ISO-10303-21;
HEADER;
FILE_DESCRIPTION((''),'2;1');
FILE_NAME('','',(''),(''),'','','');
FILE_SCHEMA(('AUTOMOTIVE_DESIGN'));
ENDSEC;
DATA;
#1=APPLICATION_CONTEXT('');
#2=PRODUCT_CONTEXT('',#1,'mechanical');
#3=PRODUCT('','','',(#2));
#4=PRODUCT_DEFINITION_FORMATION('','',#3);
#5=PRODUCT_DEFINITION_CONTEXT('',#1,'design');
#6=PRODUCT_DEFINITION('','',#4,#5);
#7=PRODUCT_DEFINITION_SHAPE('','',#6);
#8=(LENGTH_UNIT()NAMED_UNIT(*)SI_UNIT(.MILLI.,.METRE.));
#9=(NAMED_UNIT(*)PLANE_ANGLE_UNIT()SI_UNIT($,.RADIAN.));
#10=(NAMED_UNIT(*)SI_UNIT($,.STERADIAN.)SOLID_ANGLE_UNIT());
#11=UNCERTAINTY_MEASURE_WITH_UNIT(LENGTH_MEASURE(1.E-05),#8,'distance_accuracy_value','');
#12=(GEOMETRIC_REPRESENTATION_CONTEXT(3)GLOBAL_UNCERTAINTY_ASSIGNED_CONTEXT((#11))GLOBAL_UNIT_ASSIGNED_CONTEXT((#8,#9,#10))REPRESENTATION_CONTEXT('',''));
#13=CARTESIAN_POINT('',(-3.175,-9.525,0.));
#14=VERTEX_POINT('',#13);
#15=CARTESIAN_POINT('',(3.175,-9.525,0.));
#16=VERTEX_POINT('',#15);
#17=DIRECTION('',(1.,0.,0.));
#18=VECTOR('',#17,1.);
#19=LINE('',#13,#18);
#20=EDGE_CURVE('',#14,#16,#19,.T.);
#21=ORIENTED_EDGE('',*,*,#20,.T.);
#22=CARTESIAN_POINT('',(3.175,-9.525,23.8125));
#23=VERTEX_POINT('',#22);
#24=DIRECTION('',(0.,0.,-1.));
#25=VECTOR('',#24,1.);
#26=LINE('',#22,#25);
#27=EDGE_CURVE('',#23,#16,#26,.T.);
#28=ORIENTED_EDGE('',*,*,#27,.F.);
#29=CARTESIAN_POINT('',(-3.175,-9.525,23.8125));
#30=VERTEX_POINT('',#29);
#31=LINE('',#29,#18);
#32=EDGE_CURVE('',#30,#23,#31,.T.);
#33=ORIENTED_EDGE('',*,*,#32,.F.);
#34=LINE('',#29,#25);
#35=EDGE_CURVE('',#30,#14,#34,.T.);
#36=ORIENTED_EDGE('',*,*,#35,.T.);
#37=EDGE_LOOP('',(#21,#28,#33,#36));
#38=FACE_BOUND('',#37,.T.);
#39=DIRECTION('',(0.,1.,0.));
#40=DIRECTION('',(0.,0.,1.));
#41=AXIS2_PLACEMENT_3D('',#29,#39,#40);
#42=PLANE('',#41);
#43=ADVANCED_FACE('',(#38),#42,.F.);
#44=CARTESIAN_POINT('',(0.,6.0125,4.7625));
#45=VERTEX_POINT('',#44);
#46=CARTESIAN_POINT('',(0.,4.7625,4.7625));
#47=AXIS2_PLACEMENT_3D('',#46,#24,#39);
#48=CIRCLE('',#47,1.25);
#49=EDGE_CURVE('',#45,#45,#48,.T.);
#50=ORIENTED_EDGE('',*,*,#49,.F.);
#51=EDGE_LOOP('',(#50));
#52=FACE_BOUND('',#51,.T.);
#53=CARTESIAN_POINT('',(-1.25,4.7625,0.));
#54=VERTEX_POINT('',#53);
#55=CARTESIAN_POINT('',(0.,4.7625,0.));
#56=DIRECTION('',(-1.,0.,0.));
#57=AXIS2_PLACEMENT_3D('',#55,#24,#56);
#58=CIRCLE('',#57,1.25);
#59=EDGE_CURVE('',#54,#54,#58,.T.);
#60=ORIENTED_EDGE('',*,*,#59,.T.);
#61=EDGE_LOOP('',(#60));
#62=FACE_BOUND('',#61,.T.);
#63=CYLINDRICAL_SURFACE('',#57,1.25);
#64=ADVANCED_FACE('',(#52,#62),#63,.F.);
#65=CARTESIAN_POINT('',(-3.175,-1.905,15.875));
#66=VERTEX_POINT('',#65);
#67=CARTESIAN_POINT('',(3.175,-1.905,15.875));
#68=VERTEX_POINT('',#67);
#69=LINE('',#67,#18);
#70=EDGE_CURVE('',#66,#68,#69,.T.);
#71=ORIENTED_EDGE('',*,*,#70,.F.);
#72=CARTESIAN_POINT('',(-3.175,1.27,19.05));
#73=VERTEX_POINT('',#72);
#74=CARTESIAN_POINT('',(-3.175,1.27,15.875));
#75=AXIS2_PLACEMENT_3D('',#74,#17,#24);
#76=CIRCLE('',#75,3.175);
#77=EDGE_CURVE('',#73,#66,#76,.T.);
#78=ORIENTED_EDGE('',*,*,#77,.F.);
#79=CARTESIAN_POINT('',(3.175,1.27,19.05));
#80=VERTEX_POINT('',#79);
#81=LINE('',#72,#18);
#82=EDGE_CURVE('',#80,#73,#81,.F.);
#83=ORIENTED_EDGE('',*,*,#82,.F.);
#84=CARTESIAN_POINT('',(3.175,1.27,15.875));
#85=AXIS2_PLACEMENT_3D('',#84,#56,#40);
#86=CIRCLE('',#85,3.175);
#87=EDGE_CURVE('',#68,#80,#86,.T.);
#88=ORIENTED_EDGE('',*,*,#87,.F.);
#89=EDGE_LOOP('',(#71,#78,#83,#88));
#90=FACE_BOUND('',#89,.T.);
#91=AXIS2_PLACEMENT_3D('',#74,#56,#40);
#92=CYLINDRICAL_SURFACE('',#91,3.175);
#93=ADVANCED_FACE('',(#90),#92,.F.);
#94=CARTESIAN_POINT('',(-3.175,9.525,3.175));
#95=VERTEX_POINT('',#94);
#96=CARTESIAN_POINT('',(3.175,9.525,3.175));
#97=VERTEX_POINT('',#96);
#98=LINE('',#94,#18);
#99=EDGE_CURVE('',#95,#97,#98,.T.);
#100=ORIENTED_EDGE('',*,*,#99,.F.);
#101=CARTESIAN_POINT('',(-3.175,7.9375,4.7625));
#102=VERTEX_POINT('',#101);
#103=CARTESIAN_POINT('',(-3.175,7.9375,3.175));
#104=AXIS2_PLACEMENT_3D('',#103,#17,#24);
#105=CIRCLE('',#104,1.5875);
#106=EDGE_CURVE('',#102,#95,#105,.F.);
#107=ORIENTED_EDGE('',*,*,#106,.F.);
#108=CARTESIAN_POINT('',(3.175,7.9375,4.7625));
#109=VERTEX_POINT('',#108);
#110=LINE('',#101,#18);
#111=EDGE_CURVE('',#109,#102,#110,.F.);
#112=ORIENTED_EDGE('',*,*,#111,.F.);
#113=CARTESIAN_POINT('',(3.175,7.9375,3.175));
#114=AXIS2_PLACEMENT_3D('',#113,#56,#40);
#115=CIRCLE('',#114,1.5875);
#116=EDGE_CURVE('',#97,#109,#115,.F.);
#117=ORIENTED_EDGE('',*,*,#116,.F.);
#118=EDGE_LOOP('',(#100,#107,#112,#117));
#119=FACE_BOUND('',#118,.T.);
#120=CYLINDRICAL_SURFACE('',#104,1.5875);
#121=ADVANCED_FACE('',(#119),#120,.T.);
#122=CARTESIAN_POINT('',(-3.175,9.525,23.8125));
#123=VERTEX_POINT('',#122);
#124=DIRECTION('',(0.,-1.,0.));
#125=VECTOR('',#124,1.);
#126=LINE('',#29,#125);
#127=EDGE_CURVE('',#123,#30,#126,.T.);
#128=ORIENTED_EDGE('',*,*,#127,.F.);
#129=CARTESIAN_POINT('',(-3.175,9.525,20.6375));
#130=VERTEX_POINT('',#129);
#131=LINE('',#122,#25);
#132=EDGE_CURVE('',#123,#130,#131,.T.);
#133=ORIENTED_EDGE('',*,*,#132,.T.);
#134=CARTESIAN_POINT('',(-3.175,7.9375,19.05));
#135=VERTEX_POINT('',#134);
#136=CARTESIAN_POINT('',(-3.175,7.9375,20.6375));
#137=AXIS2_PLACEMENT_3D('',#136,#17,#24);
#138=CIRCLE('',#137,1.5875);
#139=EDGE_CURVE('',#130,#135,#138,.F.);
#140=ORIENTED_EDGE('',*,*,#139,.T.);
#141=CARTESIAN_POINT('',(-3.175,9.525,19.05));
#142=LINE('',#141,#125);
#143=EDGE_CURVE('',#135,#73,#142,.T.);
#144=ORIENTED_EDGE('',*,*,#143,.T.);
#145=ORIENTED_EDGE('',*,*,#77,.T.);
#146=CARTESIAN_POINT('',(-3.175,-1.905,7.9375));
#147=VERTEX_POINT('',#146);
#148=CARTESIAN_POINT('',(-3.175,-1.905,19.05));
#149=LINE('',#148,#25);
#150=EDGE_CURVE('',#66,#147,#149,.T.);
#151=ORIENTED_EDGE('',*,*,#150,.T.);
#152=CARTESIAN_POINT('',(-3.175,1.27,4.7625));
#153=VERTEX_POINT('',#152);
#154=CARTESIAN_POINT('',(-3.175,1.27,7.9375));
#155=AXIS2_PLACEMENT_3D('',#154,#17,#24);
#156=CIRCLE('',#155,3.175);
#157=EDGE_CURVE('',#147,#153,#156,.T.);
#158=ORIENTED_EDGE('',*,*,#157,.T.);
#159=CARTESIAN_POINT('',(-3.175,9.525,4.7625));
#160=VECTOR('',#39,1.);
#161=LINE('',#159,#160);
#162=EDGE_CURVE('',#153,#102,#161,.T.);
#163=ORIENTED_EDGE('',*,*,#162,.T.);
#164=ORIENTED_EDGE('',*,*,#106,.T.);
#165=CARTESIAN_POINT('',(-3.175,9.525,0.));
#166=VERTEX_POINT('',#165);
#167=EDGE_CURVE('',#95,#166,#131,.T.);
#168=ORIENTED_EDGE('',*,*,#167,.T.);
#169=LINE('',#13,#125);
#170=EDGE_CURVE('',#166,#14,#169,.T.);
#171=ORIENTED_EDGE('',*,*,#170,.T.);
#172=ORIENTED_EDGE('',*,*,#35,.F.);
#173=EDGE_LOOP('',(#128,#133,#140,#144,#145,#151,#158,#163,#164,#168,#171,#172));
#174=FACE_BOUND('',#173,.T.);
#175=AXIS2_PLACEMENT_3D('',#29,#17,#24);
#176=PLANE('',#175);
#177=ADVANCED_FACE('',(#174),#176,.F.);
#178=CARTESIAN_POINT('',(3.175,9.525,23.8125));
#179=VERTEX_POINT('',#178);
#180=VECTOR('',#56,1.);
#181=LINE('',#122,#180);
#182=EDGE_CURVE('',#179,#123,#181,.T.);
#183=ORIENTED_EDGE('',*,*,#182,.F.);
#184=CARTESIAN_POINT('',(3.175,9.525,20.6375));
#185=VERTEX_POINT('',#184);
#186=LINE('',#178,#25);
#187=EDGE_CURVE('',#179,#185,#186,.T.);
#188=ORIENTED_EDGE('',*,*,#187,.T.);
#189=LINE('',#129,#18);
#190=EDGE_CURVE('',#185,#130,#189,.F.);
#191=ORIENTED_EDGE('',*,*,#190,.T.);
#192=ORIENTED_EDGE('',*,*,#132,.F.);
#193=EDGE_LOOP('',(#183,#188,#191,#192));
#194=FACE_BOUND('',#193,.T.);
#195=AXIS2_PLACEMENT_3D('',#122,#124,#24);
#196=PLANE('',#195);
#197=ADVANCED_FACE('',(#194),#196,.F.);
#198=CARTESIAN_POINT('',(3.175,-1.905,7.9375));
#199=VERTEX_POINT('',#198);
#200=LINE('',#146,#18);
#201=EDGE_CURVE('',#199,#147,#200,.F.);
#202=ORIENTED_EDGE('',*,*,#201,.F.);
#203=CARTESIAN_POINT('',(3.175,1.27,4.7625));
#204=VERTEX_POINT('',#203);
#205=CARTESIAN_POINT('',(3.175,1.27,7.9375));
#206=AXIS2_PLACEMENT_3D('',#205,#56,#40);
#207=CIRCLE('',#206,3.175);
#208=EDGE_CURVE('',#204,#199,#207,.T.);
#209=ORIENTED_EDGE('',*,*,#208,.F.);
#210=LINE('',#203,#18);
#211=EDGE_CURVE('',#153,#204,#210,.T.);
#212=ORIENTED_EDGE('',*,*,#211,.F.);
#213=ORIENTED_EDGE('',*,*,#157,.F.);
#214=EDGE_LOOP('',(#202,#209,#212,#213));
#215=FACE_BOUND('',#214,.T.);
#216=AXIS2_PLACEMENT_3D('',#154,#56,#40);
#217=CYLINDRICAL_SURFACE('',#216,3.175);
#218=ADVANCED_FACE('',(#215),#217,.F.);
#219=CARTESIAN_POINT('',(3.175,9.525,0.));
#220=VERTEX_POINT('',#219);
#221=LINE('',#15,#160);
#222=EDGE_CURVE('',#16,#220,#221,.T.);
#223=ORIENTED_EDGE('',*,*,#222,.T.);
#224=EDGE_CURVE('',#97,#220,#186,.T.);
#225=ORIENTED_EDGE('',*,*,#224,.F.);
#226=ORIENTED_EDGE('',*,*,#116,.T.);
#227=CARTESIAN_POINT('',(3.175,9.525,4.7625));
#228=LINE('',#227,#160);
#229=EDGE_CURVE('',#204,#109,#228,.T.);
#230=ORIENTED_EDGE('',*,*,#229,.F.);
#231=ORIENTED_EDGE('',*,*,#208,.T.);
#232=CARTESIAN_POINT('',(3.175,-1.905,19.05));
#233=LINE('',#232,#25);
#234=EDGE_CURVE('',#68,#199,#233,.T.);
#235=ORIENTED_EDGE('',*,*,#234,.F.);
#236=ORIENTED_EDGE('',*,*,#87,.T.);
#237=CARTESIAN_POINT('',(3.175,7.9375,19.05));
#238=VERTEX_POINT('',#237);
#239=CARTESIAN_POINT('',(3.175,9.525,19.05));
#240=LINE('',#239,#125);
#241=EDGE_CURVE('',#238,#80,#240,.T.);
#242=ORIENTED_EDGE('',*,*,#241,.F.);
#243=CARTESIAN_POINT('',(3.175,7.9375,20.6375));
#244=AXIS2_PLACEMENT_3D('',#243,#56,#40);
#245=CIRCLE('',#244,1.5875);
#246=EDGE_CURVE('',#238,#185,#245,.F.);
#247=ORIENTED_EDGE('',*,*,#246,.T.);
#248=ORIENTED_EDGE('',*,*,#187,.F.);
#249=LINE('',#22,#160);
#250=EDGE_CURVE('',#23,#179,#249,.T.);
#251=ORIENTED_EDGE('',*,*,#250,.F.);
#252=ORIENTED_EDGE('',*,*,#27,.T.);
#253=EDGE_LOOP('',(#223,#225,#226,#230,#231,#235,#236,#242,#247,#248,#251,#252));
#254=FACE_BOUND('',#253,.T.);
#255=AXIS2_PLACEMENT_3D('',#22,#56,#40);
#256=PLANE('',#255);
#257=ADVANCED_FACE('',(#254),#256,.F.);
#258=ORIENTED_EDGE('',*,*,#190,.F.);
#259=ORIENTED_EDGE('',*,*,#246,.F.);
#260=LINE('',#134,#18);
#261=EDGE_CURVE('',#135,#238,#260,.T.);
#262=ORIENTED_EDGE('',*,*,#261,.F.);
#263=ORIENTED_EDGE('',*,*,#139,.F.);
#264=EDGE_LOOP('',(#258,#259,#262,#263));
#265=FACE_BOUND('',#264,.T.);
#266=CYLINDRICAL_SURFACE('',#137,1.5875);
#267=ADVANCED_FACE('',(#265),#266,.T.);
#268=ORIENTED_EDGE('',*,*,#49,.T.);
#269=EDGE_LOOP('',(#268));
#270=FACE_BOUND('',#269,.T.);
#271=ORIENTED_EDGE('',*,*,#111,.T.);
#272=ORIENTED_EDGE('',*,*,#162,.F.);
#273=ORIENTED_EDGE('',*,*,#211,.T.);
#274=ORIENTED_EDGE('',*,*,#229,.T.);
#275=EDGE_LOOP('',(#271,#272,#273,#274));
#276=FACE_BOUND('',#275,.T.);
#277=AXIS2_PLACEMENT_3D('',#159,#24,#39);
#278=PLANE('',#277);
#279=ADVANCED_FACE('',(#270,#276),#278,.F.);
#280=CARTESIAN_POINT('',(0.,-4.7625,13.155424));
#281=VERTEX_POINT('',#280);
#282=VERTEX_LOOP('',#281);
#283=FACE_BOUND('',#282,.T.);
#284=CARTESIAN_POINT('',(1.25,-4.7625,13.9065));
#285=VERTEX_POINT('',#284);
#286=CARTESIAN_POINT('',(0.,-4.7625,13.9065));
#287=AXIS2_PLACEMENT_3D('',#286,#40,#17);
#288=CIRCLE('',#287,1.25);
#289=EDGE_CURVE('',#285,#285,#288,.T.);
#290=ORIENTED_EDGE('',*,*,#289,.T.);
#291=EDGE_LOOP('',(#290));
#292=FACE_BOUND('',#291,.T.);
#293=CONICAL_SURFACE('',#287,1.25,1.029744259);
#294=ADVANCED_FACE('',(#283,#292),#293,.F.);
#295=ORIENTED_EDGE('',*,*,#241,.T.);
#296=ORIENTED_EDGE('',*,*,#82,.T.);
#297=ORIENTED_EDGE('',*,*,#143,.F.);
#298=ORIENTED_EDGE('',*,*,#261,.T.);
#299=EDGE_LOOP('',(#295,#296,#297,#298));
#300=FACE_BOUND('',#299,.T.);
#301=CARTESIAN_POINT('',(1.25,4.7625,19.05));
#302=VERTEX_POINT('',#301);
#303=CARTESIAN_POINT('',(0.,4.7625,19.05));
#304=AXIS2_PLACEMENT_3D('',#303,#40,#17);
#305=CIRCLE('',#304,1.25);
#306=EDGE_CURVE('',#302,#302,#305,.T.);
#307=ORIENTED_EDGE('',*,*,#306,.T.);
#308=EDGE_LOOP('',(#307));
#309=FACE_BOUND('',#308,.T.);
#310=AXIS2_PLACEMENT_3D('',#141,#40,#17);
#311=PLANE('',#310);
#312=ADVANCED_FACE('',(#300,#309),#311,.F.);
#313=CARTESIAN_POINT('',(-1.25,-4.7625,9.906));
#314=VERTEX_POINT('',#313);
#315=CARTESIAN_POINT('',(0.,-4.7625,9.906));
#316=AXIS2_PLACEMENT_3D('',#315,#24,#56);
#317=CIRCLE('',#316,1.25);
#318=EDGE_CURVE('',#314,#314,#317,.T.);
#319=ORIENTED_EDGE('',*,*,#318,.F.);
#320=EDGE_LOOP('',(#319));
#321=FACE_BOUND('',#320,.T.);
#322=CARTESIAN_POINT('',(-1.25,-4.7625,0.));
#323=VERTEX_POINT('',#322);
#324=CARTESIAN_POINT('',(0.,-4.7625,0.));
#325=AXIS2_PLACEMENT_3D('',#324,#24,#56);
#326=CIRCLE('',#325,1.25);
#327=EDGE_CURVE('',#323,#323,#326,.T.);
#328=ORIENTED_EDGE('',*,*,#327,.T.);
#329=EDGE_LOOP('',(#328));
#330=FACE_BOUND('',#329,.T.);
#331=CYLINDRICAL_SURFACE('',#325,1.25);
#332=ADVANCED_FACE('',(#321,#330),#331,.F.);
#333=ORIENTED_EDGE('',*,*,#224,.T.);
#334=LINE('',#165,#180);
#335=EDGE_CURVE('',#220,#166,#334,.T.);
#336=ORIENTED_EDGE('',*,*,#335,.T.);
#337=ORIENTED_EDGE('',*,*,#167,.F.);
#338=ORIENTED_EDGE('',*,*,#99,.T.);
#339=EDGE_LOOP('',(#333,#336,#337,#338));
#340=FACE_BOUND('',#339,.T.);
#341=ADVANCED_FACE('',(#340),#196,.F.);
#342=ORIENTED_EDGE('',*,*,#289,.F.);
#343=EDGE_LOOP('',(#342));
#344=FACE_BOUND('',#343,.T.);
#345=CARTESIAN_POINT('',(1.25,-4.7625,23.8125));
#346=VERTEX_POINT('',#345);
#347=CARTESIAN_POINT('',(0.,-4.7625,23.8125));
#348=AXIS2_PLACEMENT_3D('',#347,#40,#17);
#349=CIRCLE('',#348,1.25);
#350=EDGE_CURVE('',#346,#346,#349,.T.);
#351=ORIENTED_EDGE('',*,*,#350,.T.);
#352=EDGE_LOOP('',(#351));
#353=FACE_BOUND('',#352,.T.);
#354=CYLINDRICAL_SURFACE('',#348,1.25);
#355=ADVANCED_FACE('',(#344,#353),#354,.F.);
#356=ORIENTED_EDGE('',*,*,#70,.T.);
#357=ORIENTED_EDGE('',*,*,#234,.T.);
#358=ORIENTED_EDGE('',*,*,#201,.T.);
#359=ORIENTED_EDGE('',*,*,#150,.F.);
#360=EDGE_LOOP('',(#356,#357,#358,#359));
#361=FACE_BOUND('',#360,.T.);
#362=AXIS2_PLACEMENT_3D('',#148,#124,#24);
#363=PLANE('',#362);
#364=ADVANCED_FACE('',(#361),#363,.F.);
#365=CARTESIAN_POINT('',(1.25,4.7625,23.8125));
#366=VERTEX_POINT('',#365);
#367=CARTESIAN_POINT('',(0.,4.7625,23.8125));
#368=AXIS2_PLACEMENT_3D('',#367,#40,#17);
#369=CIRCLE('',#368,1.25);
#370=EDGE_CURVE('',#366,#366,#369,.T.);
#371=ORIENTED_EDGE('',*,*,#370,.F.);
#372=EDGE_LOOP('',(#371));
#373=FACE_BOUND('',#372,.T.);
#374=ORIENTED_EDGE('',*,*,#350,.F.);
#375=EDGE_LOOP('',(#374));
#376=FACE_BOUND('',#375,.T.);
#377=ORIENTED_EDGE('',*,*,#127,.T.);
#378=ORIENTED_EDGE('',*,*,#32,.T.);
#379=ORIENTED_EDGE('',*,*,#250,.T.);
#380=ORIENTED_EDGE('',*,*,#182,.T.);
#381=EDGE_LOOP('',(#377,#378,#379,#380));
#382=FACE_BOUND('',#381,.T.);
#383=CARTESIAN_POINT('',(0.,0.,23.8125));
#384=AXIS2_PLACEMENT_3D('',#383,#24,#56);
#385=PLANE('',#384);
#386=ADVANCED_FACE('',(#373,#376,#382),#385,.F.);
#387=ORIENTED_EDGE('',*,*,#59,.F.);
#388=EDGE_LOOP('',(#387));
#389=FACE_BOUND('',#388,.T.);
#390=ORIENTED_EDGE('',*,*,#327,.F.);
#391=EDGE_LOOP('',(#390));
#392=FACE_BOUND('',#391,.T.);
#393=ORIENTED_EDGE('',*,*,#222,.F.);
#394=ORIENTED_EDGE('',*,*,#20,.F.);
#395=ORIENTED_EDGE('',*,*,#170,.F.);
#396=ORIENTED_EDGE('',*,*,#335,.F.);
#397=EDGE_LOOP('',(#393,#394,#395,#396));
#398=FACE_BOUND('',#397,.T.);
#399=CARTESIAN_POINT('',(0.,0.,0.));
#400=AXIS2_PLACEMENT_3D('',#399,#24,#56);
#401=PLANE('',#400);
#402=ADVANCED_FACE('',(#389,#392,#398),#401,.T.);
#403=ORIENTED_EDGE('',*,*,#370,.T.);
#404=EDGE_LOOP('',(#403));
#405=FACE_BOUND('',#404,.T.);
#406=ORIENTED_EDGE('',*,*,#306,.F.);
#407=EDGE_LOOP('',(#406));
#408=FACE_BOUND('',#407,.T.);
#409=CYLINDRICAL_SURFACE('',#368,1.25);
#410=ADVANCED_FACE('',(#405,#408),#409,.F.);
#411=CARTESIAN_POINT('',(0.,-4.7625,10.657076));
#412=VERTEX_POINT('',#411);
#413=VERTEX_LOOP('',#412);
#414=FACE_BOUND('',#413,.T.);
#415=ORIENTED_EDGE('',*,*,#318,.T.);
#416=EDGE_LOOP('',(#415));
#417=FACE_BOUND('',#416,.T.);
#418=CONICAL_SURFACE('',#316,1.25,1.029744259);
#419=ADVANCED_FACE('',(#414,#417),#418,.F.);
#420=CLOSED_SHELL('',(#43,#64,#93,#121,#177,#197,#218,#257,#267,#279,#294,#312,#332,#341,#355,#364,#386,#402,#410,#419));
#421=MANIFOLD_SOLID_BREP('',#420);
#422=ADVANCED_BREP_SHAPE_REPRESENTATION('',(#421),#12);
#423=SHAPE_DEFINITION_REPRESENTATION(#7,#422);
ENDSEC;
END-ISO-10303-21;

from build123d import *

# Parameters (mm, degrees)
SKETCH1_W                      = 6.35
SKETCH1_H                      = 19.05
BOSS_EXTRUDE2_DEPTH            = 23.8125
SKETCH2_W                      = 14.2875
SKETCH2_H                      = 11.43
WHEEL_SLOT_DEPTH               = 27.421265701
M3X0_5_TAPPED_HOLE1_AT_2_COUNT = 2
M3X0_5_TAPPED_HOLE1_AT_2_PITCH = 9.525
FILLET1_R                      = 3.175
FILLET2_R                      = 1.5875


with BuildPart() as part:
    # Sketch1 → Boss-Extrude2 (new body)
    with BuildSketch(Plane.XY):
        Rectangle(SKETCH1_W, SKETCH1_H)
    extrude(amount=BOSS_EXTRUDE2_DEPTH)

    # Sketch2 → WHEEL-SLOT (cut, through all)
    with BuildSketch(Plane(origin=(3.175, 0, 0), x_dir=(0, 0, -1), z_dir=(1, 0, 0))):
        with Locations((-11.90625, 3.81)):
            Rectangle(SKETCH2_W, SKETCH2_H)
    extrude(amount=-WHEEL_SLOT_DEPTH, mode=Mode.SUBTRACT)

    # Sketch4 → M3x0.5 Tapped Hole1 (revolve, cut)
    with BuildSketch(Plane(origin=(0, -4.7625, 23.8125), x_dir=(0, -1, 0), z_dir=(1, 0, 0))):
        Polygon((0, 0), (0, 10.657075774), (1.25, 9.906), (1.25, 0), align=None)
    m3x0_5_tapped_hole1 = revolve(axis=Axis((0, -4.7625, 30.1625), (0, 0, -1)), mode=Mode.SUBTRACT)

    # M3x0.5 Tapped Hole1 at 2: M3x0.5 Tapped Hole1 ×2
    with Locations(*[(0, i * M3X0_5_TAPPED_HOLE1_AT_2_PITCH, 0) for i in range(1, M3X0_5_TAPPED_HOLE1_AT_2_COUNT)]):
        add(m3x0_5_tapped_hole1, mode=Mode.SUBTRACT)

    # M3-TAPPED-MIR: M3x0.5 Tapped Hole1 across plane
    add(m3x0_5_tapped_hole1.mirror(Plane.XY.offset(11.90625)), mode=Mode.SUBTRACT)

    # M3-TAPPED-MIR copy 1 sketch → M3-TAPPED-MIR copy 1 (revolve, cut)
    with BuildSketch(Plane(origin=(0, 4.7625, 0), x_dir=(0, -1, 0), z_dir=(1, 0, 0))):
        Polygon((0, 0), (0, -10.657075774), (1.25, -9.906), (1.25, 0), align=None)
    revolve(axis=Axis((0, 4.7625, -6.35), (0, 0, -1)), mode=Mode.SUBTRACT)

    # Fillet1
    fillet1_edges = [part.edges().sort_by_distance(p)[0] for p in [
        (0, -1.905, 19.05),
        (0, -1.905, 4.7625),
    ]]
    fillet(fillet1_edges, radius=FILLET1_R)

    # Fillet2
    fillet2_edges = [part.edges().sort_by_distance(p)[0] for p in [
        (0, 9.525, 19.05),
        (0, 9.525, 4.7625),
    ]]
    fillet(fillet2_edges, radius=FILLET2_R)


solid = part.part
